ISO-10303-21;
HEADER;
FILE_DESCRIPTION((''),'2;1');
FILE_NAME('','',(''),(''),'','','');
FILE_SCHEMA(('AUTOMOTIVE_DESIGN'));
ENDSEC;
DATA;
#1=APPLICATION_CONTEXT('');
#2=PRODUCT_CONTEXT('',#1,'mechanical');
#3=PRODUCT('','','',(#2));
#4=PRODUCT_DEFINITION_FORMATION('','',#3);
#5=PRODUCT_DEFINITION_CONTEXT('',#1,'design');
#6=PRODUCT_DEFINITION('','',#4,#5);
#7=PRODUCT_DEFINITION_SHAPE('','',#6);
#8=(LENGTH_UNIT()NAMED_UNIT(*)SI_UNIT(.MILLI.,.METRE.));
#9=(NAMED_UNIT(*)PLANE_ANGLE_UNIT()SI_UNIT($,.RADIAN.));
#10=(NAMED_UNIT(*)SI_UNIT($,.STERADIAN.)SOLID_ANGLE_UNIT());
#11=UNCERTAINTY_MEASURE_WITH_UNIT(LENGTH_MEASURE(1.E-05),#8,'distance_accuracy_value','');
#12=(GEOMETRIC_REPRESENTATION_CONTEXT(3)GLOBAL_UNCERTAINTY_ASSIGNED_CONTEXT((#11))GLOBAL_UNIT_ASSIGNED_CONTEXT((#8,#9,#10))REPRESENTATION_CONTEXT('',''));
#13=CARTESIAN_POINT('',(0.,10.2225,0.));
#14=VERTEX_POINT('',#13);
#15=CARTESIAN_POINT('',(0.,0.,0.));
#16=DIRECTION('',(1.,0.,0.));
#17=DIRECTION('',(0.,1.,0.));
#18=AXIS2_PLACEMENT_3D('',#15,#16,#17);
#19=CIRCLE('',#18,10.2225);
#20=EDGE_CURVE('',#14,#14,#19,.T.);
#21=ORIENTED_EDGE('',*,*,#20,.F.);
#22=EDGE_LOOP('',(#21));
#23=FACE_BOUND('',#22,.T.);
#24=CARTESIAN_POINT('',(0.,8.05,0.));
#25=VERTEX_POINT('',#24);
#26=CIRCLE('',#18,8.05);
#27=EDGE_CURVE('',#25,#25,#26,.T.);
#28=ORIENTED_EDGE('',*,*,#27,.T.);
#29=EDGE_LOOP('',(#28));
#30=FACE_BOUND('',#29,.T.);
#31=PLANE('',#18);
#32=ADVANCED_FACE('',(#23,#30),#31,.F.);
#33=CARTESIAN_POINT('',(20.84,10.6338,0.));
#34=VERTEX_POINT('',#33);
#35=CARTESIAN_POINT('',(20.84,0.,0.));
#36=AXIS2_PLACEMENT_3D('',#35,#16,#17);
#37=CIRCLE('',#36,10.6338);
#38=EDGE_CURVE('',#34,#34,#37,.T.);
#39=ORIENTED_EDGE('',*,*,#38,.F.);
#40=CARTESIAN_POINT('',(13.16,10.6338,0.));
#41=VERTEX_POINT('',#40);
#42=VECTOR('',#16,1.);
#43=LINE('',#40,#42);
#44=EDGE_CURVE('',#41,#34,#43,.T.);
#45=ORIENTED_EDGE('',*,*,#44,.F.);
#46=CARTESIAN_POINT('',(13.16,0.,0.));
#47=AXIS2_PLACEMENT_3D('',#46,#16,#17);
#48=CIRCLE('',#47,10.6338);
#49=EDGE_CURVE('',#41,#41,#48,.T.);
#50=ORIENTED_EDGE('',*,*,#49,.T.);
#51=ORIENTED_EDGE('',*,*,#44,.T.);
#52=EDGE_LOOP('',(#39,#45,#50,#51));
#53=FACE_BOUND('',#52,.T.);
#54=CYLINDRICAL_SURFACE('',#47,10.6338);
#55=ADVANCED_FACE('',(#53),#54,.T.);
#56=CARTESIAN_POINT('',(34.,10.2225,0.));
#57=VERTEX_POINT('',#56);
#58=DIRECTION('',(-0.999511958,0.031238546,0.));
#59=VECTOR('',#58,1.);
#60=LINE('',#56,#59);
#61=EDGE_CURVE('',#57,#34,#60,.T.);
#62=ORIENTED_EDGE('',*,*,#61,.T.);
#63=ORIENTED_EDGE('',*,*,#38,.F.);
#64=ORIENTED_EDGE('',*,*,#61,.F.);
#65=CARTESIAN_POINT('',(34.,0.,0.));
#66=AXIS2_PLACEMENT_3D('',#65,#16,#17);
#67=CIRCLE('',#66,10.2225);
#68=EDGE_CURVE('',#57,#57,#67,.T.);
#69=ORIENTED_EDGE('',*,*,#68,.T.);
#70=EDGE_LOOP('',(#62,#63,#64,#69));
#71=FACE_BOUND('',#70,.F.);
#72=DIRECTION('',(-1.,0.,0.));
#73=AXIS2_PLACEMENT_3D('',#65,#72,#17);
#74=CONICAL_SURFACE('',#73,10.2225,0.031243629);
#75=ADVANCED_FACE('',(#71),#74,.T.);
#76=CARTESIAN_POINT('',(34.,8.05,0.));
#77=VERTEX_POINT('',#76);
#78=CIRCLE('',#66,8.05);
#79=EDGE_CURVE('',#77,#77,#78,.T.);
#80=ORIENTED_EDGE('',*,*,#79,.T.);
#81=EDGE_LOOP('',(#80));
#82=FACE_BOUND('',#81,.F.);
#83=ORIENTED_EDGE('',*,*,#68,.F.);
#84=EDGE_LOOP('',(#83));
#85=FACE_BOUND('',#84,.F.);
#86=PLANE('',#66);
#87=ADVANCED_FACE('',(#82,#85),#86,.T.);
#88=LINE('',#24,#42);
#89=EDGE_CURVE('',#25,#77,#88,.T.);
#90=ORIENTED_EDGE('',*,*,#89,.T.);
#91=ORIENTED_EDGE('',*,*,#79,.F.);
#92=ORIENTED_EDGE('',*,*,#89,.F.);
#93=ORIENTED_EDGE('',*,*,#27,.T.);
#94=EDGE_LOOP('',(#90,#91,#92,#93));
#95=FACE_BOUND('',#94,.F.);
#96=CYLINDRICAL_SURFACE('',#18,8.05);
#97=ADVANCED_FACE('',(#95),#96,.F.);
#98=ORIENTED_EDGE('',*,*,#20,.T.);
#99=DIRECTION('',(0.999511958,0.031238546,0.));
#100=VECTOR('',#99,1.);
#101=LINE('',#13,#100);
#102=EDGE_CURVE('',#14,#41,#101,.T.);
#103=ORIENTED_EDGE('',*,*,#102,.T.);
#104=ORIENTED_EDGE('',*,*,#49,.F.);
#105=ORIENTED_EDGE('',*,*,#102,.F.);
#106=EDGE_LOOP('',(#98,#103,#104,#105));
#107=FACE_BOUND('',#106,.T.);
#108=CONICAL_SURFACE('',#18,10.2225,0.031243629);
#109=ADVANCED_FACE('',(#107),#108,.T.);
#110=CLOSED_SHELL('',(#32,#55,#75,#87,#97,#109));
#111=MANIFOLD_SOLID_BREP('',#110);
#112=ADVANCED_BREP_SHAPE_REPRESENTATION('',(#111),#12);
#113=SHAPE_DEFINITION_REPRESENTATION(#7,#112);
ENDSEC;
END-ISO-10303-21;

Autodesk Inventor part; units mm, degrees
ref_plane "YZ Plane" through (0, 0, 0) normal (1, 0, 0) x (0, 1, 0)
ref_plane "XZ Plane" through (0, 0, 0) normal (0, 1, 0) x (-1, 0, 0)
ref_plane "XY Plane" through (0, 0, 0) normal (0, 0, 1) x (1, 0, 0)
sketch "Sketch1" plane through (0, 0, 0) normal (0, 0, 1) x (1, 0, 0)
  line L0 (0, 0) -> (34, 0)
  line L1 (34, 8.05) -> (34, 10.2225)
  line L2 (34, 8.05) -> (34, 0) construction
  line L3 (0, 8.05) -> (0, 10.2225)
  line L4 (0, 8.05) -> (0, 0) construction
  line L5 (0, 8.05) -> (34, 8.05)
  line L6 (0, 10.2225) -> (13.16, 10.6338)
  line L7 (17, 10.6338) -> (17, 0) construction
  line L8 (8.16, 10.4775) -> (8.16, 0) construction
  line L9 (34, 10.2225) -> (20.84, 10.6338)
  line L10 (13.16, 10.6338) -> (20.84, 10.6338)
  line L11 (13.16, 10.6338) -> (13.16, 0) construction
  line L12 (20.84, 10.6338) -> (20.84, 0) construction
  dimension "d1" = 1.79
  dimension "d2" = 34
  dimension "d7" = 8.16
  dimension "d8" = 20.955
  dimension "d57" = 16.1
  dimension "d60" = 13.16
  dimension "d62" = 0
revolve "Revolution1" add sketch "Sketch1" angle 360 about axis through (0, 0, 0) along (1, 0, 0)
thread "Thread1" size "R 1/2" standard "JIS Taper" length 15.3
thread "Thread2" size "R 1/2" standard "JIS Taper" length 15.3
equation "\"d2\" = L"
equation "\"d7\" = a"
equation "\"d8\" = MjD"
equation "\"d57\" = d"
equation "\"d60\" = ll"
equation "\"d3\" = 0.45 * L"
equation "\"d5\" = 0.45 * L"
equation "\"MjD\" = 20.955"
equation "\"d\" = 16.1"
equation "\"a\" = 8.16"
equation "\"ll\" = 13.16"
equation "\"Size_Designation\" = 0.5"
properties part number "JIS B 2302 Barrel Nipple 1/2" material "Steel, Carbon"
